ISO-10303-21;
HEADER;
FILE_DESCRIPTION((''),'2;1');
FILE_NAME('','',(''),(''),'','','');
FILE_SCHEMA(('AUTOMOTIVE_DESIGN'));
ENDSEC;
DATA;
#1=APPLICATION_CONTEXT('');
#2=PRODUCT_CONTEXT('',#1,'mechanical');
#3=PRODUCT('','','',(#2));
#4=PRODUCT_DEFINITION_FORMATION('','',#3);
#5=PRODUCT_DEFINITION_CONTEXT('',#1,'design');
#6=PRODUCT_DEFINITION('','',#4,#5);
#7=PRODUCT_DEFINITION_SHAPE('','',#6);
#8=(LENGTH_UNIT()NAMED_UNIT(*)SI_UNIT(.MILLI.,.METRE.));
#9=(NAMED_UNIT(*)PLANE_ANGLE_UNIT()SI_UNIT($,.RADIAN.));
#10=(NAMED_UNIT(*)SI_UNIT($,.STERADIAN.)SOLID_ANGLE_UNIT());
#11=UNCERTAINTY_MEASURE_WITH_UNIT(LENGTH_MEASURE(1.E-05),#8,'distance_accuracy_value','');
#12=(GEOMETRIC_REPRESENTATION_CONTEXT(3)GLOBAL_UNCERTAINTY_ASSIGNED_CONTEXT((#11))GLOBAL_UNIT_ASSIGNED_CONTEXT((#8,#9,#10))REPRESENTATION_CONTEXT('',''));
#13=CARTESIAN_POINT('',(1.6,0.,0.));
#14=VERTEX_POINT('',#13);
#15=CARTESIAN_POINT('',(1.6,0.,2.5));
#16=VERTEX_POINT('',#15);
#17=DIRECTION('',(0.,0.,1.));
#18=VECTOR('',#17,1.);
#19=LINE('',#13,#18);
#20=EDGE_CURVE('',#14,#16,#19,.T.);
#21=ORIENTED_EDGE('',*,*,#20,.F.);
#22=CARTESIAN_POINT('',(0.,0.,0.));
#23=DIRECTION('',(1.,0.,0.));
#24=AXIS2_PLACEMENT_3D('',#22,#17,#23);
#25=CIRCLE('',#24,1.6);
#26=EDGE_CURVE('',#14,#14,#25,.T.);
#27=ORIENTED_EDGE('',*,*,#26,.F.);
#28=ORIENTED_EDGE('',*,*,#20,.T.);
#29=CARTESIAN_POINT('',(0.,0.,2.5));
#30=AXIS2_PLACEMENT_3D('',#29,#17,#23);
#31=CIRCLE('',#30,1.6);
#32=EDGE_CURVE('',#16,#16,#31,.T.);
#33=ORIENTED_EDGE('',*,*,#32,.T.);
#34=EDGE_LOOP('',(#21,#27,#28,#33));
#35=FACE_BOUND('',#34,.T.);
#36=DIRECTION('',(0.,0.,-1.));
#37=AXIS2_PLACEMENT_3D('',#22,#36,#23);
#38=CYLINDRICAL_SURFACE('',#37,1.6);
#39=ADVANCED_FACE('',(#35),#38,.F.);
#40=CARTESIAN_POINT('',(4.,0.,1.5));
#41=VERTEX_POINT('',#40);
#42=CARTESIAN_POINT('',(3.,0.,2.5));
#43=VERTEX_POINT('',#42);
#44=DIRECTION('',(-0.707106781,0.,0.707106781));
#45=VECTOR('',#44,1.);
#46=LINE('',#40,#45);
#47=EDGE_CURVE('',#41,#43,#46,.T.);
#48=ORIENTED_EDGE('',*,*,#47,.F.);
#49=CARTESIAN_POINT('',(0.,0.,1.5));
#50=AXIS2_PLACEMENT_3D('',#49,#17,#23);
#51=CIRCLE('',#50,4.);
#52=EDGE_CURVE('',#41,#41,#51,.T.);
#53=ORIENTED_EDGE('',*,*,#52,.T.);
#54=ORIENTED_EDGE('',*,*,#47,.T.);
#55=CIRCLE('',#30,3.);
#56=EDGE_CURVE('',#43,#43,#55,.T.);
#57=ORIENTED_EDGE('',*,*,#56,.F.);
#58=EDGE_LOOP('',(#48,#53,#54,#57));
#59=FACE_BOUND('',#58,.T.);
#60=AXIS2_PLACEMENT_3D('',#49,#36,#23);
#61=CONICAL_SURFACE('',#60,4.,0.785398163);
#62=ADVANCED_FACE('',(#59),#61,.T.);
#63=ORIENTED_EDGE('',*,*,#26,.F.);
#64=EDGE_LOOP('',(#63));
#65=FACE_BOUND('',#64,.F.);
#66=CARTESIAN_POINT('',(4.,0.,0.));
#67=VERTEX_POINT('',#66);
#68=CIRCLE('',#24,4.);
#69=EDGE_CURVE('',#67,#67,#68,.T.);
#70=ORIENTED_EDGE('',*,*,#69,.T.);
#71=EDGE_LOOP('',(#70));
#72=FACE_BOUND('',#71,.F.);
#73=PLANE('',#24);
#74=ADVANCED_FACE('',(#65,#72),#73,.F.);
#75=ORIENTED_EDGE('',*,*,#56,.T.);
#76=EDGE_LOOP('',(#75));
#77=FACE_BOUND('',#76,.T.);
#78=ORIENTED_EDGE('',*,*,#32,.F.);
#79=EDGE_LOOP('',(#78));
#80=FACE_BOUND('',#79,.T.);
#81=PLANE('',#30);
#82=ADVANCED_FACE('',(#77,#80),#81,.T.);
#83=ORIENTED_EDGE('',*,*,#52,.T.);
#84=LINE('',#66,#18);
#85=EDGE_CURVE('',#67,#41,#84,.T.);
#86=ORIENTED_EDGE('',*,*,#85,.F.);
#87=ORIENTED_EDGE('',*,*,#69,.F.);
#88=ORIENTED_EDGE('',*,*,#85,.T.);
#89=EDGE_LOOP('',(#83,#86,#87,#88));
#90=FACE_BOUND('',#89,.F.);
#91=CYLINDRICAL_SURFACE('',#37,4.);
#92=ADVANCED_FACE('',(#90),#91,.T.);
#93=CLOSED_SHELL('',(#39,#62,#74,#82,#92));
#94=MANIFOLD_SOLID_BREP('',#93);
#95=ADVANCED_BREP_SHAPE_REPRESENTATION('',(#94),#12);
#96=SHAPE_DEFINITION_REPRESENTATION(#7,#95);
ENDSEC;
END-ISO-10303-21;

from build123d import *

# Parameters (mm, degrees)
SKETCH_R     = 4
SKETCH_R_2   = 1.6
PAD_DEPTH    = 2.5
CHAMFER_SIZE = 1


with BuildPart() as part:
    # Sketch → Pad (new body)
    with BuildSketch(Plane.XY):
        Circle(SKETCH_R)
        Circle(SKETCH_R_2, mode=Mode.SUBTRACT)
    extrude(amount=PAD_DEPTH)

    # Chamfer
    chamfer_edges = [part.edges().sort_by_distance(p)[0] for p in [
        (-4, 0, 2.5),
    ]]
    chamfer(chamfer_edges, length=CHAMFER_SIZE)


solid = part.part
